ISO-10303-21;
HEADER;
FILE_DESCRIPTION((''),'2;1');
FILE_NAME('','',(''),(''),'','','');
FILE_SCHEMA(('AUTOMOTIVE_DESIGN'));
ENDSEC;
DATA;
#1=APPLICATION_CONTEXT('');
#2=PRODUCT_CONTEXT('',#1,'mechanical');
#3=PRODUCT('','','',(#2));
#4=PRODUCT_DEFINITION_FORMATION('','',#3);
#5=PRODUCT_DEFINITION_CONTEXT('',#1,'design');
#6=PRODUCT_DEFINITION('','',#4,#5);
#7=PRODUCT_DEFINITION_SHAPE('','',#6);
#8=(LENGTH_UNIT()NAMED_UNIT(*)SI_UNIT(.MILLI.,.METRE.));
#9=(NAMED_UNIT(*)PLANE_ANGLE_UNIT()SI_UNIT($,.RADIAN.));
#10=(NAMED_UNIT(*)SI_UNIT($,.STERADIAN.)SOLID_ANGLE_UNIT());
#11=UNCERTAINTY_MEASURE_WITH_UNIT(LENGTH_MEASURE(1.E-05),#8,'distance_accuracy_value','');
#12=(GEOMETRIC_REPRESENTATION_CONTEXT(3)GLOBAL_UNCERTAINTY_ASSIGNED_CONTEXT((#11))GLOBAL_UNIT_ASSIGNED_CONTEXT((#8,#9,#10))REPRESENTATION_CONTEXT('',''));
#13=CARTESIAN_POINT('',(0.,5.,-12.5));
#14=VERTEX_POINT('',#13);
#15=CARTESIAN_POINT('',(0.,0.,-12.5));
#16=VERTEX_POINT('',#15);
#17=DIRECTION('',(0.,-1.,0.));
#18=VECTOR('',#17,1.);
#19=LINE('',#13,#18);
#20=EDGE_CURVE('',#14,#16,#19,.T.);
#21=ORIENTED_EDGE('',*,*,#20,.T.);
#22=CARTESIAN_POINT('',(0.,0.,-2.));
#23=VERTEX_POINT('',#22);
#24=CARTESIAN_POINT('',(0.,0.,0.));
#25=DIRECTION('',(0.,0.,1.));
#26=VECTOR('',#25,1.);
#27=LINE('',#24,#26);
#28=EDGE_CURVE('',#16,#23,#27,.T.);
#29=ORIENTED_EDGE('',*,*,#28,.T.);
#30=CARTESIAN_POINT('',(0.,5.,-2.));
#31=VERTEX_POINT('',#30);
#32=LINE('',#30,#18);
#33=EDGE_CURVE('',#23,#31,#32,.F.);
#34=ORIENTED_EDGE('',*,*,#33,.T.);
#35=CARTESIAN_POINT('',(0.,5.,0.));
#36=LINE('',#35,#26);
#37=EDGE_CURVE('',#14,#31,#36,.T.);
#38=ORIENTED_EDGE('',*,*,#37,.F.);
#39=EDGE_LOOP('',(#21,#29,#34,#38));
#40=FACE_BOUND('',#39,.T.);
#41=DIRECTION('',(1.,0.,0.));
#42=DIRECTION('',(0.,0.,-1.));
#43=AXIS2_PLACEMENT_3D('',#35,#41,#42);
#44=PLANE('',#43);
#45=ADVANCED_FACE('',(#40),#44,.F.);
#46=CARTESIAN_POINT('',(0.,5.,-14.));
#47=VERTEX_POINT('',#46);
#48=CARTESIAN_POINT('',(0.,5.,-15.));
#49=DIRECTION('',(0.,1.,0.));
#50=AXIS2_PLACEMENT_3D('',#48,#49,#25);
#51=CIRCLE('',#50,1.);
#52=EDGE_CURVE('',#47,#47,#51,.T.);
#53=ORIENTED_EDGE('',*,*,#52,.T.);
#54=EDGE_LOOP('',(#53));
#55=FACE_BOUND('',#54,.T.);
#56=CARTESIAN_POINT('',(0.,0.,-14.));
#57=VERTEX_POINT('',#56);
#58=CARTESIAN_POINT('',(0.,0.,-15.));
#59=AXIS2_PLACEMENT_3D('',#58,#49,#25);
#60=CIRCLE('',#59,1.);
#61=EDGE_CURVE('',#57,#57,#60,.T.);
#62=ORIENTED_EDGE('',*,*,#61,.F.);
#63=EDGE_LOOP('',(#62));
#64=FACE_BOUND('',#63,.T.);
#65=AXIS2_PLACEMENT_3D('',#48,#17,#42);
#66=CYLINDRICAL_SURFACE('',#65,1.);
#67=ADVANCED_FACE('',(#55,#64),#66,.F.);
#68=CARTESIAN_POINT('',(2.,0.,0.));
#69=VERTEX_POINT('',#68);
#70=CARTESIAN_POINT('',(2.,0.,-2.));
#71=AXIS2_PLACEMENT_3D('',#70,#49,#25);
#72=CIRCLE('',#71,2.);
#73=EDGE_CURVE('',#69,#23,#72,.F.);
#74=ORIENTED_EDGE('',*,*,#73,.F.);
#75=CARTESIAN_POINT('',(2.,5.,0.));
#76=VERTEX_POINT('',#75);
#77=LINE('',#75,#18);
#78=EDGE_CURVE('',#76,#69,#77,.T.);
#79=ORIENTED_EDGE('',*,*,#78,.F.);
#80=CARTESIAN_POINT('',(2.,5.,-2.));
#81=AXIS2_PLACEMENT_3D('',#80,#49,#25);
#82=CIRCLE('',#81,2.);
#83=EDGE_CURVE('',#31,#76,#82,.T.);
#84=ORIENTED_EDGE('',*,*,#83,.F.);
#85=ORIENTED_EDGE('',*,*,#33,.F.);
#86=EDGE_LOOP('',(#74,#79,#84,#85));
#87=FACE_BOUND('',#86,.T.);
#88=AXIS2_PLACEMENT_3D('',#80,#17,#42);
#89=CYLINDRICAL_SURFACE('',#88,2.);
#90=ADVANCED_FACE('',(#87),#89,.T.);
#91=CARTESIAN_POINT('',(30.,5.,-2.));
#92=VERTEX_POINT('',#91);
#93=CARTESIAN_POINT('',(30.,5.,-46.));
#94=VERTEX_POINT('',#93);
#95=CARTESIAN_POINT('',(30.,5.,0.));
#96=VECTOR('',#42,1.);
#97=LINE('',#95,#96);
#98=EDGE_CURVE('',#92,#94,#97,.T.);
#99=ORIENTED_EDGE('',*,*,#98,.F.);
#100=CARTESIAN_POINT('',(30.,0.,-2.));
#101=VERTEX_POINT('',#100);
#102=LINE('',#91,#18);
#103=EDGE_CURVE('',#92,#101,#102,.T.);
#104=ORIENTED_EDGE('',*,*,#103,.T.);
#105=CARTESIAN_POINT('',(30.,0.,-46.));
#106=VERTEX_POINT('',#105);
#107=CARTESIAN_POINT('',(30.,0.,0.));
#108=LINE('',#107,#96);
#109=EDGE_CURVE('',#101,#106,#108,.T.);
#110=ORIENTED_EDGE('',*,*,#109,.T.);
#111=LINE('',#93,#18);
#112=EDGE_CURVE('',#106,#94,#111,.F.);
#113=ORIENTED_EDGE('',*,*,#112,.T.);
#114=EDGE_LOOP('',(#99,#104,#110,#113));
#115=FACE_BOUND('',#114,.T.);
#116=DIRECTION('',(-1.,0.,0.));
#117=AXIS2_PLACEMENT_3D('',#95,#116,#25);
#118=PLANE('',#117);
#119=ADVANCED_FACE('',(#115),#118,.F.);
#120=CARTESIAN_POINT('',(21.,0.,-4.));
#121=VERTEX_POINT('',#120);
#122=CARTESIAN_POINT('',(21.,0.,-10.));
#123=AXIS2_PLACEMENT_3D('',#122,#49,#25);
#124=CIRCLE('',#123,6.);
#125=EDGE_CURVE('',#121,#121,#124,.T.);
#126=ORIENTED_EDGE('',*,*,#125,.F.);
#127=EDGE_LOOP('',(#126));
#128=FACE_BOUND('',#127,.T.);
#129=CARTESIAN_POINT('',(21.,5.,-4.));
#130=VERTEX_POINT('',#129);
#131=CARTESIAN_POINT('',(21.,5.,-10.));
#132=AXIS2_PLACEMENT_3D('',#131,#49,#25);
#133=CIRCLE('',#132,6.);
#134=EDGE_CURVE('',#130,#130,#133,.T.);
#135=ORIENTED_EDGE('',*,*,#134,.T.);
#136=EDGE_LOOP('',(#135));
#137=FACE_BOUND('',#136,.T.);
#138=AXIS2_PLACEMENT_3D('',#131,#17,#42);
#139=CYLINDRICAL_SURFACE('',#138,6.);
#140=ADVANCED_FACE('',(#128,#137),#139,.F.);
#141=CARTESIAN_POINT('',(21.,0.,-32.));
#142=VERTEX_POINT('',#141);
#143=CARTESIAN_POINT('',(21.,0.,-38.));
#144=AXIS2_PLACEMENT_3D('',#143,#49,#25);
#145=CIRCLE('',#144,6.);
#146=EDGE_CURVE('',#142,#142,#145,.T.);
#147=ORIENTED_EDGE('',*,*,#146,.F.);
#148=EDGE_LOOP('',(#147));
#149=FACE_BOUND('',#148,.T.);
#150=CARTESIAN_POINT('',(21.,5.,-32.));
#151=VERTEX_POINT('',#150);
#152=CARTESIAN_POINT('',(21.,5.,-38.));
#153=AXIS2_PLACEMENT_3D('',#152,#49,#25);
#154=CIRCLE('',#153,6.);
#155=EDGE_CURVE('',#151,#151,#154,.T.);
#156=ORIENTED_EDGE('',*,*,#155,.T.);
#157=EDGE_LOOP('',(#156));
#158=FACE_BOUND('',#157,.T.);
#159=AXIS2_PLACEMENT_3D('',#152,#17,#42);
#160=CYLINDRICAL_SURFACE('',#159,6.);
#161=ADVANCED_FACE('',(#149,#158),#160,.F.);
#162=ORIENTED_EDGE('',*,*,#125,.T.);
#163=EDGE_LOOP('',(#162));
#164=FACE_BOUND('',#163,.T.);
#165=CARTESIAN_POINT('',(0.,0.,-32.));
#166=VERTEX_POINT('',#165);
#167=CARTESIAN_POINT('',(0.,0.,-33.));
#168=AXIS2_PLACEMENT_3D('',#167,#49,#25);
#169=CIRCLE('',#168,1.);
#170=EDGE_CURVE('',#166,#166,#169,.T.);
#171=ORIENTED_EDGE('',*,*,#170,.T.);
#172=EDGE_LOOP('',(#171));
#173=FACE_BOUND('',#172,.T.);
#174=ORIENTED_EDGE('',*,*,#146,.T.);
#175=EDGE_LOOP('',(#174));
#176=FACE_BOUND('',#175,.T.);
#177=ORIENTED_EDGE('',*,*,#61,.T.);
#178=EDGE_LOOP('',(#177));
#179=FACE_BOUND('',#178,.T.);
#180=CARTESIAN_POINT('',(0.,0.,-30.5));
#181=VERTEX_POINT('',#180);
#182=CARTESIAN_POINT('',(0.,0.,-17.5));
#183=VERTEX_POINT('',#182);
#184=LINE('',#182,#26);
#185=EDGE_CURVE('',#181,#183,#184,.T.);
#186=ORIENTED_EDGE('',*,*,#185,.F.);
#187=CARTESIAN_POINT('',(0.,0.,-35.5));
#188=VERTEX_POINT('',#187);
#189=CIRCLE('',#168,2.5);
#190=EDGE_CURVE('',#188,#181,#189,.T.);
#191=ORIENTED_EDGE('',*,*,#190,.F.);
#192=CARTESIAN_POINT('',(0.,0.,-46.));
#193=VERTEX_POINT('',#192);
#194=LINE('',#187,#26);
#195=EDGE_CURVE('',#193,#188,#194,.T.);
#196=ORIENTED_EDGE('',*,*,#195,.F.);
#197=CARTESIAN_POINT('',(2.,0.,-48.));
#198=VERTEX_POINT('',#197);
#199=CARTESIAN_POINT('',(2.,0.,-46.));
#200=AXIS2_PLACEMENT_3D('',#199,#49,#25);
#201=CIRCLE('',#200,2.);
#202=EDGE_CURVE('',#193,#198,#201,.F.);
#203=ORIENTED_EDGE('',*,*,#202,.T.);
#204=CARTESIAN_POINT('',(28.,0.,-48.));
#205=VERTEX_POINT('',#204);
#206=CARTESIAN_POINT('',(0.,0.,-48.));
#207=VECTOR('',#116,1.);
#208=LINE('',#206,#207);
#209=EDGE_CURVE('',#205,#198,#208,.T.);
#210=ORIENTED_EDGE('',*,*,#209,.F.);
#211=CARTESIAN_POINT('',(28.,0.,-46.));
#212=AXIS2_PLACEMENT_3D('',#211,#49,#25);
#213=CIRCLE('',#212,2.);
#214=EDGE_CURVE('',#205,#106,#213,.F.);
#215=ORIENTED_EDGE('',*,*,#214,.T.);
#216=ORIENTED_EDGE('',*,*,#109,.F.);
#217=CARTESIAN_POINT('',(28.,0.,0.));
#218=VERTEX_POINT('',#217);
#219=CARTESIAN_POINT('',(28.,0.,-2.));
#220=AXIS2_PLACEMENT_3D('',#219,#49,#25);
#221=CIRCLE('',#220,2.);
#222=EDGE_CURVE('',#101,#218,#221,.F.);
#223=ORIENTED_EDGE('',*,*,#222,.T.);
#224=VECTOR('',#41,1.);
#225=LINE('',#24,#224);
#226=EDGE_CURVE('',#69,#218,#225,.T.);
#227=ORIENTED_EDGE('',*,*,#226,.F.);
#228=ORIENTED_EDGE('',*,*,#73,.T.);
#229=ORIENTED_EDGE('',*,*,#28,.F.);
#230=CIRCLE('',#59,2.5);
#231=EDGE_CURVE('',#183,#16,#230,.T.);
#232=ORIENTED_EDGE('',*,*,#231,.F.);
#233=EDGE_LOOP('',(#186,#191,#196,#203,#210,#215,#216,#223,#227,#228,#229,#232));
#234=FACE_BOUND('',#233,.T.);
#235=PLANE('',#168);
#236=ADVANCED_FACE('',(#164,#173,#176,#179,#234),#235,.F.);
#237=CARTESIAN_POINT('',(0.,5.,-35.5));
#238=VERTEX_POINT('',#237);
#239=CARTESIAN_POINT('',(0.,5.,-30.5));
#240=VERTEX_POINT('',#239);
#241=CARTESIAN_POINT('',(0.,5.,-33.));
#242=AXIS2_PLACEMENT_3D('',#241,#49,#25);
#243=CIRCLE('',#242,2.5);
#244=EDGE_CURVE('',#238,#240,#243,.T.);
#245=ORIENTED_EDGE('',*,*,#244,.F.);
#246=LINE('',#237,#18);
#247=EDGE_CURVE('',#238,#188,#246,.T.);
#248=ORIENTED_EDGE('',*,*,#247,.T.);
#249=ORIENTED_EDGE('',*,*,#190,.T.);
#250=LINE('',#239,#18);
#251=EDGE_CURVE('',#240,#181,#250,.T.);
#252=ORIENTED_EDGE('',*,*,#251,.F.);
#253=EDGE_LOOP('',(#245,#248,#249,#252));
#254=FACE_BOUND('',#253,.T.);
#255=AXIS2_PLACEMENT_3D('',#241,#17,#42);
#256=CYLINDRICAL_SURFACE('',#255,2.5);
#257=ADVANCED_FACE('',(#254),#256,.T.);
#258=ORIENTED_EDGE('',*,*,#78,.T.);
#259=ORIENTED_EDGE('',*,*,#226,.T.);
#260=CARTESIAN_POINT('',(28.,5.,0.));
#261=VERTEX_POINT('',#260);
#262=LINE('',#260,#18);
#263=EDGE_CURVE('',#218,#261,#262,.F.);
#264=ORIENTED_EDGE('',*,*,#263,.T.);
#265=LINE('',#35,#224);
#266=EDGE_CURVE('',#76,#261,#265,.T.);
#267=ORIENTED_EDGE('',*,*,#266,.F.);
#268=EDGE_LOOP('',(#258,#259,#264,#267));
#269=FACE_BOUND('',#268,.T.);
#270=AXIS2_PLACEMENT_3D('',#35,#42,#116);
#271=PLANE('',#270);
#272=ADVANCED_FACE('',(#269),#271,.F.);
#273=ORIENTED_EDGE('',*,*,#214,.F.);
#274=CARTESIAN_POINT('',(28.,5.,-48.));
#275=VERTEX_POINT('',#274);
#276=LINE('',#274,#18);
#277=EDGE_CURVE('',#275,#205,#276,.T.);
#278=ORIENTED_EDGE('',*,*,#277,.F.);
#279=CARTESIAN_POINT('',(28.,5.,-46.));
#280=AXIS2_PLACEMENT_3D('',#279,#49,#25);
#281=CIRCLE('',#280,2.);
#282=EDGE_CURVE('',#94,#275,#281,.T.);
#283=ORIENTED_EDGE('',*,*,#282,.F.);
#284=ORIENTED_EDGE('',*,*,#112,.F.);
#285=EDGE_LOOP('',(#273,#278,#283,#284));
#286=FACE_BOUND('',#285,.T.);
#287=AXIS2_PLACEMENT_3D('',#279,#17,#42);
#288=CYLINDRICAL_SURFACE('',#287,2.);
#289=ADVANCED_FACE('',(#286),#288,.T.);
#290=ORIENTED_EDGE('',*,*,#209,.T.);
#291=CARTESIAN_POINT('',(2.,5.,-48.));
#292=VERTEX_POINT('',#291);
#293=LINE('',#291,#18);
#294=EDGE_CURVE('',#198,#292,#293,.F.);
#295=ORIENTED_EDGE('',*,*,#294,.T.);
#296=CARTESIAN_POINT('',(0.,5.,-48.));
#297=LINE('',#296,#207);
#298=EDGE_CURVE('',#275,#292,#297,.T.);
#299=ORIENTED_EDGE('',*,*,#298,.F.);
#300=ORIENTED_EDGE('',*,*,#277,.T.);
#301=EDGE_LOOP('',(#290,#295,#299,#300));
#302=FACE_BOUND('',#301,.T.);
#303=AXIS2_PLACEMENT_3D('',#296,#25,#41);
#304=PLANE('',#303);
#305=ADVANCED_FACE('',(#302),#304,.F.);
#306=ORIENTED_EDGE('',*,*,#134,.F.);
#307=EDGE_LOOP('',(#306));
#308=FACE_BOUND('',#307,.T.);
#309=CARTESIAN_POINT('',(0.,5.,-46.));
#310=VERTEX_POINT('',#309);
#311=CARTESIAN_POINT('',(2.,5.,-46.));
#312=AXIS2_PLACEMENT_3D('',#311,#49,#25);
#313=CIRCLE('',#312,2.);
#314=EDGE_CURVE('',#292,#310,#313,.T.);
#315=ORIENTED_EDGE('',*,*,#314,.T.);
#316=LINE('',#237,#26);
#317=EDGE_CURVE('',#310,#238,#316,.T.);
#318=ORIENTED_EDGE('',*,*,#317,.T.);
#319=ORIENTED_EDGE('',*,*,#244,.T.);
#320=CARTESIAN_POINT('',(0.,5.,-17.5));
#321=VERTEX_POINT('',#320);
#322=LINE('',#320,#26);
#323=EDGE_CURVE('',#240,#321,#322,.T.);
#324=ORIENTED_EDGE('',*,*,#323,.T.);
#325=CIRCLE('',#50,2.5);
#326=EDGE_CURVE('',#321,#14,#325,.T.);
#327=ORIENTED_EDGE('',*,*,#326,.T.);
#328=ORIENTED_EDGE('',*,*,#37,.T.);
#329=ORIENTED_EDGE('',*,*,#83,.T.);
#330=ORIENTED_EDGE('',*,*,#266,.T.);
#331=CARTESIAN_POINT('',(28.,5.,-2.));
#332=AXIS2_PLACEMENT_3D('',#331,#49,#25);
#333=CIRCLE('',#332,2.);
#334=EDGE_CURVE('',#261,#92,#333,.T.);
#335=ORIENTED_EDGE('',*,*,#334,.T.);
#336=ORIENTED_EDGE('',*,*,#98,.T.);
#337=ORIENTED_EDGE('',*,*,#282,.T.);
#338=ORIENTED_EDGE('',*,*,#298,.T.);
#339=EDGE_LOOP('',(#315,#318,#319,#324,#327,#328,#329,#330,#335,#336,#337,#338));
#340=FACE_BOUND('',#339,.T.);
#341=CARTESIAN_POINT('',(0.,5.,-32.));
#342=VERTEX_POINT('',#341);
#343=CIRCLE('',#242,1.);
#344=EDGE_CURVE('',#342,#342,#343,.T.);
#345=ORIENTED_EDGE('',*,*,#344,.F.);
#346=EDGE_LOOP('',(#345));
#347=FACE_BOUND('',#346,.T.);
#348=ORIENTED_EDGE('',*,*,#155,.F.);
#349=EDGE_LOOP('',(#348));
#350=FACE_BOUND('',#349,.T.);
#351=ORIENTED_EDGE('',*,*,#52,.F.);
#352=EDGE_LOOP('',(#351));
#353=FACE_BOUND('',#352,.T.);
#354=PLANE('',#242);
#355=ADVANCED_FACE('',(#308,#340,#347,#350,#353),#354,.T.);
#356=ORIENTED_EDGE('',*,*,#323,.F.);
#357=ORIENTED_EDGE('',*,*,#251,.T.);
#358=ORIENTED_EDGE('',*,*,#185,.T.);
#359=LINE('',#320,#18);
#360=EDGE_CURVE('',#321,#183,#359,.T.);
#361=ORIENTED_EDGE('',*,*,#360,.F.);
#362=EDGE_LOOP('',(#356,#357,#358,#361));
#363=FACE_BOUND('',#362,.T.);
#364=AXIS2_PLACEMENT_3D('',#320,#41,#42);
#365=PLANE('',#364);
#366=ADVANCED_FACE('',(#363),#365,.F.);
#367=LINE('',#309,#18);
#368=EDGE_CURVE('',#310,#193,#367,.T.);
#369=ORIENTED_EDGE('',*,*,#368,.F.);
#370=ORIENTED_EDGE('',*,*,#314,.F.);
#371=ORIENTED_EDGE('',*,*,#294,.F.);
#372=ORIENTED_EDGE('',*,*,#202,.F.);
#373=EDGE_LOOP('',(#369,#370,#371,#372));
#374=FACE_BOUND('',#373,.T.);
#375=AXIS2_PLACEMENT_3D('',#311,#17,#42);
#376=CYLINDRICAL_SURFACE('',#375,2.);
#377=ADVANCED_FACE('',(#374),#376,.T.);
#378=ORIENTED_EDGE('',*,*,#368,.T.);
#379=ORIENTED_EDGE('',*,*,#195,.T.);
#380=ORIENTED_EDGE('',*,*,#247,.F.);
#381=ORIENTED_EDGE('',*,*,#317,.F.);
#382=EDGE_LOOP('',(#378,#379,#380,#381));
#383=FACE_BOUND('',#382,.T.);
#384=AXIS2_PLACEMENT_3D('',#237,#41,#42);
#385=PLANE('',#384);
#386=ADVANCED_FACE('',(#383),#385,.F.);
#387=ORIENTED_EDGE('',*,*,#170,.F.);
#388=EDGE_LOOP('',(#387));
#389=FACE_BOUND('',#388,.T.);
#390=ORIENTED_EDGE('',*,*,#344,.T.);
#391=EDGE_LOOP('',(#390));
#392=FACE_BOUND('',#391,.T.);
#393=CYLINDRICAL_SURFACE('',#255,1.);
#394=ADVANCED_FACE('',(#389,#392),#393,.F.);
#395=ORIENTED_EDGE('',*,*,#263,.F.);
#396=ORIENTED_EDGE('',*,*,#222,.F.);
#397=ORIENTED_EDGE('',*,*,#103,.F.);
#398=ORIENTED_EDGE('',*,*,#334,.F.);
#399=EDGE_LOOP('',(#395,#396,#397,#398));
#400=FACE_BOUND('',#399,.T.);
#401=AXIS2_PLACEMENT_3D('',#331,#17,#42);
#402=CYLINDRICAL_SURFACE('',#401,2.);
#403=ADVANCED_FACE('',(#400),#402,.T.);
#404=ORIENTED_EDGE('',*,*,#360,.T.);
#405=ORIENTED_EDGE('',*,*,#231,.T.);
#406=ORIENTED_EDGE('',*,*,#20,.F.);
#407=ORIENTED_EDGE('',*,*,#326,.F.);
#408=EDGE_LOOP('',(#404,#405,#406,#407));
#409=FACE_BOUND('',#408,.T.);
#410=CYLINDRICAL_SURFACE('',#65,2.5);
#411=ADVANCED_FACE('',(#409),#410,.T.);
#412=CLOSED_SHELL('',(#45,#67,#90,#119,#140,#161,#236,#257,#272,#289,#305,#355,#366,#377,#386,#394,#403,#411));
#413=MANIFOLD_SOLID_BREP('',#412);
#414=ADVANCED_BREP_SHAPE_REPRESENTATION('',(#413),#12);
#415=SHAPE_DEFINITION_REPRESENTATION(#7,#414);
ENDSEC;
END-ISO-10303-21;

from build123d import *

# Parameters (mm, degrees)
SKETCH1_R           = 6
SKETCH1_R_2         = 1
BOSS_EXTRUDE1_DEPTH = 5
FILLET2_R           = 2


with BuildPart() as part:
    # Sketch1 → Boss-Extrude1 (new body)
    with BuildSketch(Plane(origin=(0, 0, 0), x_dir=(1, 0, 0), z_dir=(0, 1, 0))):
        with BuildLine():
            Line((0, 0), (30, 0))
            Line((30, 0), (30, 48))
            Line((30, 48), (0, 48))
            Line((0, 48), (0, 35.5))
            ThreePointArc((0, 35.5), (-2.5, 33), (0, 30.5))
            Line((0, 30.5), (0, 17.5))
            ThreePointArc((0, 17.5), (-2.5, 15), (0, 12.5))
            Line((0, 12.5), (0, 0))
        make_face()
        with Locations(Location((21, 38, 0), (0, 0, 270))):
            Circle(SKETCH1_R, mode=Mode.SUBTRACT)
        with Locations(Location((21, 10, 0), (0, 0, 270))):
            Circle(SKETCH1_R, mode=Mode.SUBTRACT)
        with Locations(Location((0, 33, 0), (0, 0, 270))):
            Circle(SKETCH1_R_2, mode=Mode.SUBTRACT)
        with Locations(Location((0, 15, 0), (0, 0, 270))):
            Circle(SKETCH1_R_2, mode=Mode.SUBTRACT)
    extrude(amount=BOSS_EXTRUDE1_DEPTH)

    # Fillet2
    fillet2_edges = [part.edges().sort_by_distance(p)[0] for p in [
        (30, 2.5, 0),
        (0, 2.5, 0),
        (0, 2.5, -48),
        (30, 2.5, -48),
    ]]
    fillet(fillet2_edges, radius=FILLET2_R)


solid = part.part
